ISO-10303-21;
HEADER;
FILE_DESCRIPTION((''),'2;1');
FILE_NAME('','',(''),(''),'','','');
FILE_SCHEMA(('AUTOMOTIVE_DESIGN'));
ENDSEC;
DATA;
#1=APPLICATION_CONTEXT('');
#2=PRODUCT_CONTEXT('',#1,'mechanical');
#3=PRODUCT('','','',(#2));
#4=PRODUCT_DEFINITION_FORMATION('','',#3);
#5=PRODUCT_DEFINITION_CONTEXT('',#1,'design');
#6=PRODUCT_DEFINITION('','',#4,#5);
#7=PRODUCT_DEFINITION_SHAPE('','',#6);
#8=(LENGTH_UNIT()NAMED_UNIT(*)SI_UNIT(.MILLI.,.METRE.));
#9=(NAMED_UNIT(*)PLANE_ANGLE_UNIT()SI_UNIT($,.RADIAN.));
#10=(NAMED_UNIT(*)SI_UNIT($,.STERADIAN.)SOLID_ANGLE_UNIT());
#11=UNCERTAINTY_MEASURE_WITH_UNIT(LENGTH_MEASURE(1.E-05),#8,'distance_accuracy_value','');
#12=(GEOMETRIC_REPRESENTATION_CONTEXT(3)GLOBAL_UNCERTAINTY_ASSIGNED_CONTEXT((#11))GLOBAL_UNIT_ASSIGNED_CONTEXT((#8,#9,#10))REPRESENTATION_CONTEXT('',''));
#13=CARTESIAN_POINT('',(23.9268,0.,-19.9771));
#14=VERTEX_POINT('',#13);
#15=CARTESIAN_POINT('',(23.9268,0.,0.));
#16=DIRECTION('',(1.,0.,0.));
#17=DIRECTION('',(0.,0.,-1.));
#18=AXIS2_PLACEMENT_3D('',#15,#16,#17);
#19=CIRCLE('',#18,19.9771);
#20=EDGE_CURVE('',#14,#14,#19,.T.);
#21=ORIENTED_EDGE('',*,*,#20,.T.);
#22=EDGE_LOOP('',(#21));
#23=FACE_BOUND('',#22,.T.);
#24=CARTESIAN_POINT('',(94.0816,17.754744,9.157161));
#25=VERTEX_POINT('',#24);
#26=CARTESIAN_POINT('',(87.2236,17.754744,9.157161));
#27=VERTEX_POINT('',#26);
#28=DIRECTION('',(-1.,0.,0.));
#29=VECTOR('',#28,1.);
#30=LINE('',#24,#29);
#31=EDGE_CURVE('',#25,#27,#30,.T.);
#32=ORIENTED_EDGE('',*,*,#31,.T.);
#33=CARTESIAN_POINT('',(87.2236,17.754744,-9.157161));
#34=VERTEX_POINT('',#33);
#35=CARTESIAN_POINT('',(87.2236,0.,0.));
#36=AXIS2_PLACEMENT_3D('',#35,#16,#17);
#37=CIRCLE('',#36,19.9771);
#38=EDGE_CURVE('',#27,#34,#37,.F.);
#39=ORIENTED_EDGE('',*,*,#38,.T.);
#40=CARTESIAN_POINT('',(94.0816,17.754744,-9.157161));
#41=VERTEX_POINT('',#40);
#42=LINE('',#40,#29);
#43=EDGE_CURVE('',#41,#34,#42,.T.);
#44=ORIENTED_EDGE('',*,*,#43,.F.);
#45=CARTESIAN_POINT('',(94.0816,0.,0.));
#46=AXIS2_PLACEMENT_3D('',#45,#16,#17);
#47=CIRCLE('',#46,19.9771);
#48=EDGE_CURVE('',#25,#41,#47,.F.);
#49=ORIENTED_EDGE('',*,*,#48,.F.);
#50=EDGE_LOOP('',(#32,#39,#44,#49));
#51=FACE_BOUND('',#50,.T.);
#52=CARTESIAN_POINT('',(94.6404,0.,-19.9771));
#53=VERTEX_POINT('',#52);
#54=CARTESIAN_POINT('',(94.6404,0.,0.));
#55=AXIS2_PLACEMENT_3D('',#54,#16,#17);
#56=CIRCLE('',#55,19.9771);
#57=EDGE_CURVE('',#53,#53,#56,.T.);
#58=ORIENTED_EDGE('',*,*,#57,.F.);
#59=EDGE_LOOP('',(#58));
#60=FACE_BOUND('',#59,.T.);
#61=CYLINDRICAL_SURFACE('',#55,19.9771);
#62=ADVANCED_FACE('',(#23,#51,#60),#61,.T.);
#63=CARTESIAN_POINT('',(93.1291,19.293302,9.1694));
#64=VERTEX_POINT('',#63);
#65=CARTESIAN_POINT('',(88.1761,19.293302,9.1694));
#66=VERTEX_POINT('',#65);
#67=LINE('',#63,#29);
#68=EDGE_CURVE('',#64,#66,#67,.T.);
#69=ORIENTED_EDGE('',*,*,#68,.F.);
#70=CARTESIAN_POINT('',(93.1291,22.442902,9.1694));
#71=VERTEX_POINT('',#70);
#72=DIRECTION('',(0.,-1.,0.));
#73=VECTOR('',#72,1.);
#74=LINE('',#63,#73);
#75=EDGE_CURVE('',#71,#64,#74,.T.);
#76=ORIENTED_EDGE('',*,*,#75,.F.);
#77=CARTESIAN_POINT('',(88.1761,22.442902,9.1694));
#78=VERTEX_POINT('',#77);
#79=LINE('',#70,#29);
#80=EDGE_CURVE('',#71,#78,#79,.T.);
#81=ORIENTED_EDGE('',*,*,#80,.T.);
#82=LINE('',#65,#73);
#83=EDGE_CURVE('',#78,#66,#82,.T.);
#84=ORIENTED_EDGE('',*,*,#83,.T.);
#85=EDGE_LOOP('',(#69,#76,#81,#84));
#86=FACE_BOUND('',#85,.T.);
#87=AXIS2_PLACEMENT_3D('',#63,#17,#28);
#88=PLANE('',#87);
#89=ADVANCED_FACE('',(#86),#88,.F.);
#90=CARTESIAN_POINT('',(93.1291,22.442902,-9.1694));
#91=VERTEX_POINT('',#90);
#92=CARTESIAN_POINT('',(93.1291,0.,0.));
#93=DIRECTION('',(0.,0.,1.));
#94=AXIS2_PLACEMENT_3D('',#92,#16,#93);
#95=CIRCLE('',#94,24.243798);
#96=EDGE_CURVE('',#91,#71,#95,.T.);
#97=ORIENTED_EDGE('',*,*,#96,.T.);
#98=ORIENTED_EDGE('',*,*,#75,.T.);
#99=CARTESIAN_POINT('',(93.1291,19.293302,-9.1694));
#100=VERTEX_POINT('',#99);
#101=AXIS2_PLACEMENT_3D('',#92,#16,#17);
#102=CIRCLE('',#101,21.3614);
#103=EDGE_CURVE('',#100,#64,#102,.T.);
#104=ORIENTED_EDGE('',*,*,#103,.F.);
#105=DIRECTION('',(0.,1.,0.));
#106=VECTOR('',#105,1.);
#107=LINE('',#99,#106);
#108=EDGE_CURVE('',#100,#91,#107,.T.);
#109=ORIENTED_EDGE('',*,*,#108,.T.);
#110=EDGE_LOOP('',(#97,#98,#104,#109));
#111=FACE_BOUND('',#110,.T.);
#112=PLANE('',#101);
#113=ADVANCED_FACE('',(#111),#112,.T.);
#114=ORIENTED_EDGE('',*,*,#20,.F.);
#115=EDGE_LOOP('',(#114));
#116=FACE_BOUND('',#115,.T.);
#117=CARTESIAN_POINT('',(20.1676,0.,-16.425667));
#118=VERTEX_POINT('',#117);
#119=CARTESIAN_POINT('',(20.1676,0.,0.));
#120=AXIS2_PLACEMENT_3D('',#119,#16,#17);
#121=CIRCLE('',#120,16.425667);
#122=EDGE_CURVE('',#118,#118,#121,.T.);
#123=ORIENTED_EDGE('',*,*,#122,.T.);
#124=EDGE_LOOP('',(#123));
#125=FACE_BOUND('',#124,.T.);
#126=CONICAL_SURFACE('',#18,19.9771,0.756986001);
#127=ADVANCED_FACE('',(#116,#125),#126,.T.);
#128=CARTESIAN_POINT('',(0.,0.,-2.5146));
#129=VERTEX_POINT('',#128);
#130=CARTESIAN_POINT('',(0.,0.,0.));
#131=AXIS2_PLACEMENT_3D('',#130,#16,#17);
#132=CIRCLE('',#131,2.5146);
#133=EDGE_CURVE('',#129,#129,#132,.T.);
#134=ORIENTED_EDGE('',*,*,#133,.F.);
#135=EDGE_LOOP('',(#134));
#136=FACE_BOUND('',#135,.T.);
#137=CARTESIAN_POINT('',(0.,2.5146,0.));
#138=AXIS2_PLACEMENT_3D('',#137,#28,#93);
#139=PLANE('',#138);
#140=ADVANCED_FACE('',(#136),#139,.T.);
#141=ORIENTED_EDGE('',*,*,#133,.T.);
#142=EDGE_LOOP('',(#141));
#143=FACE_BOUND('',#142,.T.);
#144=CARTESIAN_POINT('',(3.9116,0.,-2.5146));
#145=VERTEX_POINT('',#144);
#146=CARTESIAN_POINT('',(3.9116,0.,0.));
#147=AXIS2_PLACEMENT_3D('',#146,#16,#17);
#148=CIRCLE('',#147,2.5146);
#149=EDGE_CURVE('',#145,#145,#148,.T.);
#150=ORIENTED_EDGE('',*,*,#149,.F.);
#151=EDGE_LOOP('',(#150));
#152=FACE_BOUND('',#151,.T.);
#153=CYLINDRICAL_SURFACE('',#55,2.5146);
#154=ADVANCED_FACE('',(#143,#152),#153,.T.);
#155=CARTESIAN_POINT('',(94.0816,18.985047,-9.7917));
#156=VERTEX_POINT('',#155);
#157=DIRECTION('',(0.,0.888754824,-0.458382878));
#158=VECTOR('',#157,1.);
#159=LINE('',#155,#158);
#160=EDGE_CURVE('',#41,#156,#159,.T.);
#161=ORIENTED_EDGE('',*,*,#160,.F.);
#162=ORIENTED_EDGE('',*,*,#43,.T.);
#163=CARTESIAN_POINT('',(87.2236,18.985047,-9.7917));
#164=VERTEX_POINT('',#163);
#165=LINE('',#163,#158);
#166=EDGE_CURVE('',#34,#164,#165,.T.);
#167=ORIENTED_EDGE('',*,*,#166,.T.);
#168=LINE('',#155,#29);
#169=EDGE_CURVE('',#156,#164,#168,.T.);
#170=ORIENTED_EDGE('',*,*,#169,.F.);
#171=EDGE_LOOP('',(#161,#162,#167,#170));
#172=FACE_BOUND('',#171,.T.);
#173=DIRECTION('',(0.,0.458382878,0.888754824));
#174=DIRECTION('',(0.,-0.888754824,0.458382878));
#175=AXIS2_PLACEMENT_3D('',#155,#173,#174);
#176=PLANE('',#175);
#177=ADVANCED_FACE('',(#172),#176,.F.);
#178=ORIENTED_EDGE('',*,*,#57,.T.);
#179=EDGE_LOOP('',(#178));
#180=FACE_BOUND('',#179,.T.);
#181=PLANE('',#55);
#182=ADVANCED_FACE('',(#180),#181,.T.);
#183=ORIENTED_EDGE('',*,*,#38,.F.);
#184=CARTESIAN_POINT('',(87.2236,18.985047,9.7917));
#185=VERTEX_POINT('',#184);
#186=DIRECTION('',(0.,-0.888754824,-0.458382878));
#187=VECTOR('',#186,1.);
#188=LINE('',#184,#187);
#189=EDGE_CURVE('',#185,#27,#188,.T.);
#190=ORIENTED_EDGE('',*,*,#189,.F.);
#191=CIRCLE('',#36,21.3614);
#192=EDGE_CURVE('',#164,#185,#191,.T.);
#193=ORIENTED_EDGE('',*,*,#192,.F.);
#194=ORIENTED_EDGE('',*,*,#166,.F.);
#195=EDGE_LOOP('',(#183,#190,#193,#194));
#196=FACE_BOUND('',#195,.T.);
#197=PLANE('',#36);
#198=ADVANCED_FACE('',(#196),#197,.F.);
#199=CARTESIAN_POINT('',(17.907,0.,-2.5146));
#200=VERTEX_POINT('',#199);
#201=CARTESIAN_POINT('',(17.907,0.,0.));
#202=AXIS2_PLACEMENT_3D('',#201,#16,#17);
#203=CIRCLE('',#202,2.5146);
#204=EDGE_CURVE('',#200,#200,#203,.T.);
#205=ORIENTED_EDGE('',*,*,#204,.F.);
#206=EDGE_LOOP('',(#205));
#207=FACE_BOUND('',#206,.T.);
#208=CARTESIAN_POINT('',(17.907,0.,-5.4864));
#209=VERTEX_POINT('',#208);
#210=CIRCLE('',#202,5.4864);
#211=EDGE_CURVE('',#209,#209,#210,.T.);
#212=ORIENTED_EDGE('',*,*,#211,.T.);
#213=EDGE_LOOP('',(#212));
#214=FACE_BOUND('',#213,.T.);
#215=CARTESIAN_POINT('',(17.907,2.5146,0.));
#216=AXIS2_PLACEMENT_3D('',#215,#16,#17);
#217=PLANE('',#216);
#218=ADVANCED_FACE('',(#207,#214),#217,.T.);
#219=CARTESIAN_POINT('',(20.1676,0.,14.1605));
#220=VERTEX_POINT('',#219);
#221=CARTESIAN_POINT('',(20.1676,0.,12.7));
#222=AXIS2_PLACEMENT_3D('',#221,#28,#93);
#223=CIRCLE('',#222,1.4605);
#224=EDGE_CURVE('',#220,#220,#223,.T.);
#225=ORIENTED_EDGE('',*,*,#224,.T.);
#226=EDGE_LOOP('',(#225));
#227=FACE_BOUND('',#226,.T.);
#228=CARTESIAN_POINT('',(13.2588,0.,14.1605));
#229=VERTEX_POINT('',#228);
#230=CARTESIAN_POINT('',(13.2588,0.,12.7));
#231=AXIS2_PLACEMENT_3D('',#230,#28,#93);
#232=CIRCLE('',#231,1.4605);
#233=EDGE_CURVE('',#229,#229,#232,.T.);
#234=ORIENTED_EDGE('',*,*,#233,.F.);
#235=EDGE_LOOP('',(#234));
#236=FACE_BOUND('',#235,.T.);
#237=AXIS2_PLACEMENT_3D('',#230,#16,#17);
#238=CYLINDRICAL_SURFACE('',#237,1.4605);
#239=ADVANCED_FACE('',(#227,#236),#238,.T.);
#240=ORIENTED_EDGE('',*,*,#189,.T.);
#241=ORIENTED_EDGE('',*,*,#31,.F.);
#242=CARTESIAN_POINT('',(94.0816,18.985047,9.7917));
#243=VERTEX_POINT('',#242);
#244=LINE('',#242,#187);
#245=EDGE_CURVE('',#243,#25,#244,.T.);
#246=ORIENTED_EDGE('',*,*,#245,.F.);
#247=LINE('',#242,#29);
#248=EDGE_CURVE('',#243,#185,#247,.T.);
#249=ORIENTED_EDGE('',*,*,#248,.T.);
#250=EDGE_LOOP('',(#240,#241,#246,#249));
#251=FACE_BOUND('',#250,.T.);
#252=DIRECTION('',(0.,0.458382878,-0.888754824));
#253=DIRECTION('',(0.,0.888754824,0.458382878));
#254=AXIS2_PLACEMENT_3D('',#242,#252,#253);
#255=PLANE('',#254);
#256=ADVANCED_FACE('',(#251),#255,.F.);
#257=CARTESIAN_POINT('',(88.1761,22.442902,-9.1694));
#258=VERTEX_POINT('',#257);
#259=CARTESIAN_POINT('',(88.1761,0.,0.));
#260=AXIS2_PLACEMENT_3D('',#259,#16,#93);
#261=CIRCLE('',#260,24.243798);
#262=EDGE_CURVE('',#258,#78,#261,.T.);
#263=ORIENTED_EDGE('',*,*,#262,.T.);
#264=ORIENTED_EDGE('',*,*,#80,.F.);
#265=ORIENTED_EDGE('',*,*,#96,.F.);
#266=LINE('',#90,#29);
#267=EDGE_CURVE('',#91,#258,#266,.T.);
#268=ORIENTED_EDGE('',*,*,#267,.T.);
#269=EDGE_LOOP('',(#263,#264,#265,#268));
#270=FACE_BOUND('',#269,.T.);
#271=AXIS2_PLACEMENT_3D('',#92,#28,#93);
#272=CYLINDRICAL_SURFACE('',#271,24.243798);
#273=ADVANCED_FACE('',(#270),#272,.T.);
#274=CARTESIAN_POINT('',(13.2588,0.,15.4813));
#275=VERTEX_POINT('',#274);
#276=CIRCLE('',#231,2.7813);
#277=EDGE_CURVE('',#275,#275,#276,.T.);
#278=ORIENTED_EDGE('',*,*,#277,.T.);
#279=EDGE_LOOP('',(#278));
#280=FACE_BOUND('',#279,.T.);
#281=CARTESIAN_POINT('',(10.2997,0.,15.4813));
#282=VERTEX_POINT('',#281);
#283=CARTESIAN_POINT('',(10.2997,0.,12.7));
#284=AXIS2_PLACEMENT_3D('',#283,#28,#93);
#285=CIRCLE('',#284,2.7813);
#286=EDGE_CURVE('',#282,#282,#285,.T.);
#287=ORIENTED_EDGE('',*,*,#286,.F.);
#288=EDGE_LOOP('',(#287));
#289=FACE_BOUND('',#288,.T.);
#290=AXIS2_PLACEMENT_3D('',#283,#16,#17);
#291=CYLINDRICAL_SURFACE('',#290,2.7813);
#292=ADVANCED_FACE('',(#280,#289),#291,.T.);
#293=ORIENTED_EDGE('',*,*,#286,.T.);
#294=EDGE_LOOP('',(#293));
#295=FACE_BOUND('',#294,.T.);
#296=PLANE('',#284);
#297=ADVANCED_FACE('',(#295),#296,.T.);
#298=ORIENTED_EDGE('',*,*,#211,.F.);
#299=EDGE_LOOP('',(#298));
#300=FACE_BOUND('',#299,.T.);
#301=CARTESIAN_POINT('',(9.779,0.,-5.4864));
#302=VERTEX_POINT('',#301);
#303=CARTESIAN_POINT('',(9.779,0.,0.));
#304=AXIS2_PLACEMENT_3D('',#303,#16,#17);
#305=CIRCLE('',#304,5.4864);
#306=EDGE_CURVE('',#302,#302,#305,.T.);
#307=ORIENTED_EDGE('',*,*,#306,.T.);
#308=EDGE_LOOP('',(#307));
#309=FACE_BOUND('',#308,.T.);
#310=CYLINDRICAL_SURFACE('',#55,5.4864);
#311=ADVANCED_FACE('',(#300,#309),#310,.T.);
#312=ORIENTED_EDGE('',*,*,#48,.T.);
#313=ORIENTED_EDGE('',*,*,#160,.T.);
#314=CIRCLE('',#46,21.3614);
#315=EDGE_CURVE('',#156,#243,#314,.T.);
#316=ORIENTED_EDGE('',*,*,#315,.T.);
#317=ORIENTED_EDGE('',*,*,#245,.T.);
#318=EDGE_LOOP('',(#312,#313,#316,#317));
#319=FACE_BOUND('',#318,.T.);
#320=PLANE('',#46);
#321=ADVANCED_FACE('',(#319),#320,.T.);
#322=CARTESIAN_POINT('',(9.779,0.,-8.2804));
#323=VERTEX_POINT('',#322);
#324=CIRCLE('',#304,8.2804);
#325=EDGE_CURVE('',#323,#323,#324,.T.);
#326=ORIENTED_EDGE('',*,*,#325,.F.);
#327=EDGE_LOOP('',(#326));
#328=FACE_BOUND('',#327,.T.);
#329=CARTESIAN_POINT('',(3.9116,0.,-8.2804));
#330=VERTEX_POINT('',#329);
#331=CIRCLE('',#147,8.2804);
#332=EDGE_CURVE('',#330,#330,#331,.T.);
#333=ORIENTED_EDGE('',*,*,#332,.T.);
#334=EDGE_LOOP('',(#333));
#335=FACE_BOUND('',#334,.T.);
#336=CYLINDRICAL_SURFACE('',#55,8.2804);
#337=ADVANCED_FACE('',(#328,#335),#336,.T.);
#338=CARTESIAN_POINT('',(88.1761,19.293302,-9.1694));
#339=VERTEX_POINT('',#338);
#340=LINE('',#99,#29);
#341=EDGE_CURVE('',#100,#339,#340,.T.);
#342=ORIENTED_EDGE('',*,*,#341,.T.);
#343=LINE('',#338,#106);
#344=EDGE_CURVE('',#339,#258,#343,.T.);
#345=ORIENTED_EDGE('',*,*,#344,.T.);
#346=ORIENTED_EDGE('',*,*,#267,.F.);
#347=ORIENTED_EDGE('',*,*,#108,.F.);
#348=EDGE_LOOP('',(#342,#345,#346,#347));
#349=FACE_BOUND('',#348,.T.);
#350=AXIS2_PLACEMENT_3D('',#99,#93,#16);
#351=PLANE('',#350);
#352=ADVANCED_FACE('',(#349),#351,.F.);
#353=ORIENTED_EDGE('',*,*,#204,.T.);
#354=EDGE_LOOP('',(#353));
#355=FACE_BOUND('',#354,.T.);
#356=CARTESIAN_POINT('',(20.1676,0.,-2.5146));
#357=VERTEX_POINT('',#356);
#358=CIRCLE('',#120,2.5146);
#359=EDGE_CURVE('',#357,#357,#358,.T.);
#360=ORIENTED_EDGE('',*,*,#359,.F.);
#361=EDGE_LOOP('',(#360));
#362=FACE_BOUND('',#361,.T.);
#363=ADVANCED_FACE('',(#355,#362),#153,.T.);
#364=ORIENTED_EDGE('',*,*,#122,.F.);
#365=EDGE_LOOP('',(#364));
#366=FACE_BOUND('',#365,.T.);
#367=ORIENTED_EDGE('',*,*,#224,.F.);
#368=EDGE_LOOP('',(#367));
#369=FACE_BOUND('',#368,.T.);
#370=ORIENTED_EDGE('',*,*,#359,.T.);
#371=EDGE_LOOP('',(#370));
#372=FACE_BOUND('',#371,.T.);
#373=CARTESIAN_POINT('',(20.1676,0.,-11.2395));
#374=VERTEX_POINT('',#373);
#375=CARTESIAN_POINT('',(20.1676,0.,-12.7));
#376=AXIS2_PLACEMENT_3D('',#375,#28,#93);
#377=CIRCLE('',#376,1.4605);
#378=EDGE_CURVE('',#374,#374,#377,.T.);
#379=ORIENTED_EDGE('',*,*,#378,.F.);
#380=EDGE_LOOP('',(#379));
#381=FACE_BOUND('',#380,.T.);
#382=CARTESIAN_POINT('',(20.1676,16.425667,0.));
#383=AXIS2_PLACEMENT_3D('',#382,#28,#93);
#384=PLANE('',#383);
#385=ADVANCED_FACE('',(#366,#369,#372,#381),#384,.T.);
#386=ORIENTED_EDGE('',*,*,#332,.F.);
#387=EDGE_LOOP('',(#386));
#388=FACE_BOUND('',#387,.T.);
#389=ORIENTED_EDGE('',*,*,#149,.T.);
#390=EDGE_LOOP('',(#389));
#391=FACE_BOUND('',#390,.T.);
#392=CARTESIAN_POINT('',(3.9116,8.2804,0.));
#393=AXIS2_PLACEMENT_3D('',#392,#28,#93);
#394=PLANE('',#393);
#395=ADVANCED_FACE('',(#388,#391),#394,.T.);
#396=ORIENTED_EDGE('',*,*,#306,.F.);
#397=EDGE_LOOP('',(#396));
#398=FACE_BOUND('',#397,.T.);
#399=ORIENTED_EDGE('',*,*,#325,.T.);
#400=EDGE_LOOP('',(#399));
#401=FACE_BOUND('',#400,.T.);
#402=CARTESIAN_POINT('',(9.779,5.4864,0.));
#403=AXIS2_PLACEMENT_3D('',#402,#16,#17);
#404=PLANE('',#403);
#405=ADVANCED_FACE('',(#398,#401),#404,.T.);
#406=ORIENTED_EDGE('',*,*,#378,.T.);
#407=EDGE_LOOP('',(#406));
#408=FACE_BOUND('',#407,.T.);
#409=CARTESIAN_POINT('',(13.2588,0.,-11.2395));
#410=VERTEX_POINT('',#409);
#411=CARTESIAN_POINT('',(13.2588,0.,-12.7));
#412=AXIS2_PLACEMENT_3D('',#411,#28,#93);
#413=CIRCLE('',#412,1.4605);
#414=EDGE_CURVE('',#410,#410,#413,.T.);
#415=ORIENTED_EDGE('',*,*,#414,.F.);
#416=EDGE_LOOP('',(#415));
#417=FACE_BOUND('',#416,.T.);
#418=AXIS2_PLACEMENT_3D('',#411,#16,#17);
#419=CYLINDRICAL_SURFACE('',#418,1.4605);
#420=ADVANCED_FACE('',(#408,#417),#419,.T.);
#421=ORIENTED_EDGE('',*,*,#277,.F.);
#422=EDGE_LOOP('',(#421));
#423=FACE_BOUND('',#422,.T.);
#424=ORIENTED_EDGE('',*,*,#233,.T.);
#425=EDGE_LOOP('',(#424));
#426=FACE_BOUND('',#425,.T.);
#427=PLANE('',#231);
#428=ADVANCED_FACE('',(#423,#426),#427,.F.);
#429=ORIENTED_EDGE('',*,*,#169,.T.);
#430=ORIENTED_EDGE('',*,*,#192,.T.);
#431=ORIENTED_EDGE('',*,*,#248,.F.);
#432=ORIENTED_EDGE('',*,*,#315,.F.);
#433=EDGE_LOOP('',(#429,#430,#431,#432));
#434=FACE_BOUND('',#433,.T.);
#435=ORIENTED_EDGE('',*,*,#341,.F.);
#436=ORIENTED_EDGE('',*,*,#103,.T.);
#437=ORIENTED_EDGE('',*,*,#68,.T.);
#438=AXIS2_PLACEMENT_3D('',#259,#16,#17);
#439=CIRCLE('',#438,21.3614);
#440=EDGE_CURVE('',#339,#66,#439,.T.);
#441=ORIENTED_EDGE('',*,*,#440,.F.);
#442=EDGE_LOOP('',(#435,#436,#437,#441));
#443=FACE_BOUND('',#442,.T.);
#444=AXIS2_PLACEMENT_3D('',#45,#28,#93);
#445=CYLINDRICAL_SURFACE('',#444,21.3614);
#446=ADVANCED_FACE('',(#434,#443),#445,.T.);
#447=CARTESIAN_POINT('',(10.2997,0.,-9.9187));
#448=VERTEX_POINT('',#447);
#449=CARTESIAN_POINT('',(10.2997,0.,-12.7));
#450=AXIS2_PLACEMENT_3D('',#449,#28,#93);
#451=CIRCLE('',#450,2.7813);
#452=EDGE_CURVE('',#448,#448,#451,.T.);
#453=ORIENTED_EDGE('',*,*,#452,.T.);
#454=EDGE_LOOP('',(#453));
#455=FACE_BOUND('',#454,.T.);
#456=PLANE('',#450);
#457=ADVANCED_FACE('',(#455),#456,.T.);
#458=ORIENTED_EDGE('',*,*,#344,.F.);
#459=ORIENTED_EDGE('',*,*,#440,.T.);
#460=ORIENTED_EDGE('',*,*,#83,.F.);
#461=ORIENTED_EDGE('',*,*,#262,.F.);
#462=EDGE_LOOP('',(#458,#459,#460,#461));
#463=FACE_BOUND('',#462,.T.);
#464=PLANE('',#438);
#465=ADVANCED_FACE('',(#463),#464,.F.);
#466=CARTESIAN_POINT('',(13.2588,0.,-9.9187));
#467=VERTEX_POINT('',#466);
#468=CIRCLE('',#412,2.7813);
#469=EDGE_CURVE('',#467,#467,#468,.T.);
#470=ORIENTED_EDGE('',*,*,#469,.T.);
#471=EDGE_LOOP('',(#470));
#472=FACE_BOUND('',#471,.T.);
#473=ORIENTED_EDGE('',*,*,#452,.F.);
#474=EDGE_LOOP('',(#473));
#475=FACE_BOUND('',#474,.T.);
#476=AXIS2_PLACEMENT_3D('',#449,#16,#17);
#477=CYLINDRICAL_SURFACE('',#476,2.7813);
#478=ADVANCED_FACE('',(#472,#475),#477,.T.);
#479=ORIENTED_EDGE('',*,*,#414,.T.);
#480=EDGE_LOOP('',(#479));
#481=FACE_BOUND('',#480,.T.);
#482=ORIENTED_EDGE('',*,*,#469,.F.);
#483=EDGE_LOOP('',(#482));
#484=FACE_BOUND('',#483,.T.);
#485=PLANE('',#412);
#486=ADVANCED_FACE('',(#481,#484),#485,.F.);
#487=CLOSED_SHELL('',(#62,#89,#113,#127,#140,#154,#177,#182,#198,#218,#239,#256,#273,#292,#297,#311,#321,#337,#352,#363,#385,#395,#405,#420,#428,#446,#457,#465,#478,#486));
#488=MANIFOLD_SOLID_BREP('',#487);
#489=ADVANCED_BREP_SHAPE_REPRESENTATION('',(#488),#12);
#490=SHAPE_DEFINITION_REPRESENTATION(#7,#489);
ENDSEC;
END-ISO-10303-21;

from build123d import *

# Parameters (mm, degrees)
BOSS_EXTRUDE1_DEPTH = 3.429
BOSS_EXTRUDE2_DEPTH = 2.4765
SKETCH7_R           = 1.4605
BOSS_EXTRUDE5_DEPTH = 6.9088
SKETCH8_R           = 2.7813
BOSS_EXTRUDE6_DEPTH = 2.9591


with BuildPart() as part:
    # Sketch1 → Revolve1 (revolve)
    with BuildSketch(Plane.XY, mode=Mode.PRIVATE) as revolve1_sk:
        Polygon((94.6404, 0), (94.6404, 19.9771), (23.9268, 19.9771), (20.1676, 16.42566681), (20.1676, 2.5146), (17.907, 2.5146), (17.907, 5.4864), (9.779, 5.4864), (9.779, 8.2804), (3.9116, 8.2804), (3.9116, 2.5146), (0, 2.5146), (0, 0), align=None)
    revolve(revolve1_sk.sketch.rotate(Axis((94.6404, 0, 0), (-1, 0, 0)), 90), axis=Axis((94.6404, 0, 0), (-1, 0, 0)))

    # Sketch3 → Boss-Extrude1 (add, symmetric)
    with BuildSketch(Plane(origin=(90.6526, 0, 0), x_dir=(0, 0, -1), z_dir=(1, 0, 0))):
        with BuildLine():
            Line((-9.7917, 18.985047302), (-9.157160583, 17.754743999))
            ThreePointArc((-9.157160583, 17.754743999), (0, -19.9771), (9.157160583, 17.754743999))
            Line((9.157160583, 17.754743999), (9.7917, 18.985047302))
            ThreePointArc((9.7917, 18.985047302), (0, 21.3614), (-9.7917, 18.985047302))
        make_face()
    extrude(amount=BOSS_EXTRUDE1_DEPTH, both=True)

    # Sketch4 → Boss-Extrude2 (add, symmetric)
    with BuildSketch(Plane(origin=(90.6526, 0, 0), x_dir=(0, 0, -1), z_dir=(1, 0, 0))):
        with BuildLine():
            Line((-9.1694, 19.293302299), (-9.1694, 22.442902299))
            ThreePointArc((-9.1694, 22.442902299), (0, 24.243798381), (9.1694, 22.442902299))
            Line((9.1694, 22.442902299), (9.1694, 19.293302299))
            ThreePointArc((9.1694, 19.293302299), (9.48180276, 19.141703852), (9.7917, 18.985047302))
            Line((9.7917, 18.985047302), (9.157160583, 17.754743999))
            ThreePointArc((9.157160583, 17.754743999), (0, 19.9771), (-9.157160583, 17.754743999))
            Line((-9.157160583, 17.754743999), (-9.7917, 18.985047302))
            ThreePointArc((-9.7917, 18.985047302), (-9.48180276, 19.141703852), (-9.1694, 19.293302299))
        make_face()
    extrude(amount=BOSS_EXTRUDE2_DEPTH, both=True)

    # Sketch7 → Boss-Extrude5 (add)
    with BuildSketch(Plane.ZY.offset(-20.1676)):
        with Locations((-12.7, 0)):
            Circle(SKETCH7_R)
        with Locations((12.7, 0)):
            Circle(SKETCH7_R)
    extrude(amount=BOSS_EXTRUDE5_DEPTH)

    # Sketch8 → Boss-Extrude6 (add)
    with BuildSketch(Plane.ZY.offset(-13.2588)):
        with Locations((12.7, 0)):
            Circle(SKETCH8_R)
        with Locations((-12.7, 0)):
            Circle(SKETCH8_R)
    extrude(amount=BOSS_EXTRUDE6_DEPTH)


solid = part.part
